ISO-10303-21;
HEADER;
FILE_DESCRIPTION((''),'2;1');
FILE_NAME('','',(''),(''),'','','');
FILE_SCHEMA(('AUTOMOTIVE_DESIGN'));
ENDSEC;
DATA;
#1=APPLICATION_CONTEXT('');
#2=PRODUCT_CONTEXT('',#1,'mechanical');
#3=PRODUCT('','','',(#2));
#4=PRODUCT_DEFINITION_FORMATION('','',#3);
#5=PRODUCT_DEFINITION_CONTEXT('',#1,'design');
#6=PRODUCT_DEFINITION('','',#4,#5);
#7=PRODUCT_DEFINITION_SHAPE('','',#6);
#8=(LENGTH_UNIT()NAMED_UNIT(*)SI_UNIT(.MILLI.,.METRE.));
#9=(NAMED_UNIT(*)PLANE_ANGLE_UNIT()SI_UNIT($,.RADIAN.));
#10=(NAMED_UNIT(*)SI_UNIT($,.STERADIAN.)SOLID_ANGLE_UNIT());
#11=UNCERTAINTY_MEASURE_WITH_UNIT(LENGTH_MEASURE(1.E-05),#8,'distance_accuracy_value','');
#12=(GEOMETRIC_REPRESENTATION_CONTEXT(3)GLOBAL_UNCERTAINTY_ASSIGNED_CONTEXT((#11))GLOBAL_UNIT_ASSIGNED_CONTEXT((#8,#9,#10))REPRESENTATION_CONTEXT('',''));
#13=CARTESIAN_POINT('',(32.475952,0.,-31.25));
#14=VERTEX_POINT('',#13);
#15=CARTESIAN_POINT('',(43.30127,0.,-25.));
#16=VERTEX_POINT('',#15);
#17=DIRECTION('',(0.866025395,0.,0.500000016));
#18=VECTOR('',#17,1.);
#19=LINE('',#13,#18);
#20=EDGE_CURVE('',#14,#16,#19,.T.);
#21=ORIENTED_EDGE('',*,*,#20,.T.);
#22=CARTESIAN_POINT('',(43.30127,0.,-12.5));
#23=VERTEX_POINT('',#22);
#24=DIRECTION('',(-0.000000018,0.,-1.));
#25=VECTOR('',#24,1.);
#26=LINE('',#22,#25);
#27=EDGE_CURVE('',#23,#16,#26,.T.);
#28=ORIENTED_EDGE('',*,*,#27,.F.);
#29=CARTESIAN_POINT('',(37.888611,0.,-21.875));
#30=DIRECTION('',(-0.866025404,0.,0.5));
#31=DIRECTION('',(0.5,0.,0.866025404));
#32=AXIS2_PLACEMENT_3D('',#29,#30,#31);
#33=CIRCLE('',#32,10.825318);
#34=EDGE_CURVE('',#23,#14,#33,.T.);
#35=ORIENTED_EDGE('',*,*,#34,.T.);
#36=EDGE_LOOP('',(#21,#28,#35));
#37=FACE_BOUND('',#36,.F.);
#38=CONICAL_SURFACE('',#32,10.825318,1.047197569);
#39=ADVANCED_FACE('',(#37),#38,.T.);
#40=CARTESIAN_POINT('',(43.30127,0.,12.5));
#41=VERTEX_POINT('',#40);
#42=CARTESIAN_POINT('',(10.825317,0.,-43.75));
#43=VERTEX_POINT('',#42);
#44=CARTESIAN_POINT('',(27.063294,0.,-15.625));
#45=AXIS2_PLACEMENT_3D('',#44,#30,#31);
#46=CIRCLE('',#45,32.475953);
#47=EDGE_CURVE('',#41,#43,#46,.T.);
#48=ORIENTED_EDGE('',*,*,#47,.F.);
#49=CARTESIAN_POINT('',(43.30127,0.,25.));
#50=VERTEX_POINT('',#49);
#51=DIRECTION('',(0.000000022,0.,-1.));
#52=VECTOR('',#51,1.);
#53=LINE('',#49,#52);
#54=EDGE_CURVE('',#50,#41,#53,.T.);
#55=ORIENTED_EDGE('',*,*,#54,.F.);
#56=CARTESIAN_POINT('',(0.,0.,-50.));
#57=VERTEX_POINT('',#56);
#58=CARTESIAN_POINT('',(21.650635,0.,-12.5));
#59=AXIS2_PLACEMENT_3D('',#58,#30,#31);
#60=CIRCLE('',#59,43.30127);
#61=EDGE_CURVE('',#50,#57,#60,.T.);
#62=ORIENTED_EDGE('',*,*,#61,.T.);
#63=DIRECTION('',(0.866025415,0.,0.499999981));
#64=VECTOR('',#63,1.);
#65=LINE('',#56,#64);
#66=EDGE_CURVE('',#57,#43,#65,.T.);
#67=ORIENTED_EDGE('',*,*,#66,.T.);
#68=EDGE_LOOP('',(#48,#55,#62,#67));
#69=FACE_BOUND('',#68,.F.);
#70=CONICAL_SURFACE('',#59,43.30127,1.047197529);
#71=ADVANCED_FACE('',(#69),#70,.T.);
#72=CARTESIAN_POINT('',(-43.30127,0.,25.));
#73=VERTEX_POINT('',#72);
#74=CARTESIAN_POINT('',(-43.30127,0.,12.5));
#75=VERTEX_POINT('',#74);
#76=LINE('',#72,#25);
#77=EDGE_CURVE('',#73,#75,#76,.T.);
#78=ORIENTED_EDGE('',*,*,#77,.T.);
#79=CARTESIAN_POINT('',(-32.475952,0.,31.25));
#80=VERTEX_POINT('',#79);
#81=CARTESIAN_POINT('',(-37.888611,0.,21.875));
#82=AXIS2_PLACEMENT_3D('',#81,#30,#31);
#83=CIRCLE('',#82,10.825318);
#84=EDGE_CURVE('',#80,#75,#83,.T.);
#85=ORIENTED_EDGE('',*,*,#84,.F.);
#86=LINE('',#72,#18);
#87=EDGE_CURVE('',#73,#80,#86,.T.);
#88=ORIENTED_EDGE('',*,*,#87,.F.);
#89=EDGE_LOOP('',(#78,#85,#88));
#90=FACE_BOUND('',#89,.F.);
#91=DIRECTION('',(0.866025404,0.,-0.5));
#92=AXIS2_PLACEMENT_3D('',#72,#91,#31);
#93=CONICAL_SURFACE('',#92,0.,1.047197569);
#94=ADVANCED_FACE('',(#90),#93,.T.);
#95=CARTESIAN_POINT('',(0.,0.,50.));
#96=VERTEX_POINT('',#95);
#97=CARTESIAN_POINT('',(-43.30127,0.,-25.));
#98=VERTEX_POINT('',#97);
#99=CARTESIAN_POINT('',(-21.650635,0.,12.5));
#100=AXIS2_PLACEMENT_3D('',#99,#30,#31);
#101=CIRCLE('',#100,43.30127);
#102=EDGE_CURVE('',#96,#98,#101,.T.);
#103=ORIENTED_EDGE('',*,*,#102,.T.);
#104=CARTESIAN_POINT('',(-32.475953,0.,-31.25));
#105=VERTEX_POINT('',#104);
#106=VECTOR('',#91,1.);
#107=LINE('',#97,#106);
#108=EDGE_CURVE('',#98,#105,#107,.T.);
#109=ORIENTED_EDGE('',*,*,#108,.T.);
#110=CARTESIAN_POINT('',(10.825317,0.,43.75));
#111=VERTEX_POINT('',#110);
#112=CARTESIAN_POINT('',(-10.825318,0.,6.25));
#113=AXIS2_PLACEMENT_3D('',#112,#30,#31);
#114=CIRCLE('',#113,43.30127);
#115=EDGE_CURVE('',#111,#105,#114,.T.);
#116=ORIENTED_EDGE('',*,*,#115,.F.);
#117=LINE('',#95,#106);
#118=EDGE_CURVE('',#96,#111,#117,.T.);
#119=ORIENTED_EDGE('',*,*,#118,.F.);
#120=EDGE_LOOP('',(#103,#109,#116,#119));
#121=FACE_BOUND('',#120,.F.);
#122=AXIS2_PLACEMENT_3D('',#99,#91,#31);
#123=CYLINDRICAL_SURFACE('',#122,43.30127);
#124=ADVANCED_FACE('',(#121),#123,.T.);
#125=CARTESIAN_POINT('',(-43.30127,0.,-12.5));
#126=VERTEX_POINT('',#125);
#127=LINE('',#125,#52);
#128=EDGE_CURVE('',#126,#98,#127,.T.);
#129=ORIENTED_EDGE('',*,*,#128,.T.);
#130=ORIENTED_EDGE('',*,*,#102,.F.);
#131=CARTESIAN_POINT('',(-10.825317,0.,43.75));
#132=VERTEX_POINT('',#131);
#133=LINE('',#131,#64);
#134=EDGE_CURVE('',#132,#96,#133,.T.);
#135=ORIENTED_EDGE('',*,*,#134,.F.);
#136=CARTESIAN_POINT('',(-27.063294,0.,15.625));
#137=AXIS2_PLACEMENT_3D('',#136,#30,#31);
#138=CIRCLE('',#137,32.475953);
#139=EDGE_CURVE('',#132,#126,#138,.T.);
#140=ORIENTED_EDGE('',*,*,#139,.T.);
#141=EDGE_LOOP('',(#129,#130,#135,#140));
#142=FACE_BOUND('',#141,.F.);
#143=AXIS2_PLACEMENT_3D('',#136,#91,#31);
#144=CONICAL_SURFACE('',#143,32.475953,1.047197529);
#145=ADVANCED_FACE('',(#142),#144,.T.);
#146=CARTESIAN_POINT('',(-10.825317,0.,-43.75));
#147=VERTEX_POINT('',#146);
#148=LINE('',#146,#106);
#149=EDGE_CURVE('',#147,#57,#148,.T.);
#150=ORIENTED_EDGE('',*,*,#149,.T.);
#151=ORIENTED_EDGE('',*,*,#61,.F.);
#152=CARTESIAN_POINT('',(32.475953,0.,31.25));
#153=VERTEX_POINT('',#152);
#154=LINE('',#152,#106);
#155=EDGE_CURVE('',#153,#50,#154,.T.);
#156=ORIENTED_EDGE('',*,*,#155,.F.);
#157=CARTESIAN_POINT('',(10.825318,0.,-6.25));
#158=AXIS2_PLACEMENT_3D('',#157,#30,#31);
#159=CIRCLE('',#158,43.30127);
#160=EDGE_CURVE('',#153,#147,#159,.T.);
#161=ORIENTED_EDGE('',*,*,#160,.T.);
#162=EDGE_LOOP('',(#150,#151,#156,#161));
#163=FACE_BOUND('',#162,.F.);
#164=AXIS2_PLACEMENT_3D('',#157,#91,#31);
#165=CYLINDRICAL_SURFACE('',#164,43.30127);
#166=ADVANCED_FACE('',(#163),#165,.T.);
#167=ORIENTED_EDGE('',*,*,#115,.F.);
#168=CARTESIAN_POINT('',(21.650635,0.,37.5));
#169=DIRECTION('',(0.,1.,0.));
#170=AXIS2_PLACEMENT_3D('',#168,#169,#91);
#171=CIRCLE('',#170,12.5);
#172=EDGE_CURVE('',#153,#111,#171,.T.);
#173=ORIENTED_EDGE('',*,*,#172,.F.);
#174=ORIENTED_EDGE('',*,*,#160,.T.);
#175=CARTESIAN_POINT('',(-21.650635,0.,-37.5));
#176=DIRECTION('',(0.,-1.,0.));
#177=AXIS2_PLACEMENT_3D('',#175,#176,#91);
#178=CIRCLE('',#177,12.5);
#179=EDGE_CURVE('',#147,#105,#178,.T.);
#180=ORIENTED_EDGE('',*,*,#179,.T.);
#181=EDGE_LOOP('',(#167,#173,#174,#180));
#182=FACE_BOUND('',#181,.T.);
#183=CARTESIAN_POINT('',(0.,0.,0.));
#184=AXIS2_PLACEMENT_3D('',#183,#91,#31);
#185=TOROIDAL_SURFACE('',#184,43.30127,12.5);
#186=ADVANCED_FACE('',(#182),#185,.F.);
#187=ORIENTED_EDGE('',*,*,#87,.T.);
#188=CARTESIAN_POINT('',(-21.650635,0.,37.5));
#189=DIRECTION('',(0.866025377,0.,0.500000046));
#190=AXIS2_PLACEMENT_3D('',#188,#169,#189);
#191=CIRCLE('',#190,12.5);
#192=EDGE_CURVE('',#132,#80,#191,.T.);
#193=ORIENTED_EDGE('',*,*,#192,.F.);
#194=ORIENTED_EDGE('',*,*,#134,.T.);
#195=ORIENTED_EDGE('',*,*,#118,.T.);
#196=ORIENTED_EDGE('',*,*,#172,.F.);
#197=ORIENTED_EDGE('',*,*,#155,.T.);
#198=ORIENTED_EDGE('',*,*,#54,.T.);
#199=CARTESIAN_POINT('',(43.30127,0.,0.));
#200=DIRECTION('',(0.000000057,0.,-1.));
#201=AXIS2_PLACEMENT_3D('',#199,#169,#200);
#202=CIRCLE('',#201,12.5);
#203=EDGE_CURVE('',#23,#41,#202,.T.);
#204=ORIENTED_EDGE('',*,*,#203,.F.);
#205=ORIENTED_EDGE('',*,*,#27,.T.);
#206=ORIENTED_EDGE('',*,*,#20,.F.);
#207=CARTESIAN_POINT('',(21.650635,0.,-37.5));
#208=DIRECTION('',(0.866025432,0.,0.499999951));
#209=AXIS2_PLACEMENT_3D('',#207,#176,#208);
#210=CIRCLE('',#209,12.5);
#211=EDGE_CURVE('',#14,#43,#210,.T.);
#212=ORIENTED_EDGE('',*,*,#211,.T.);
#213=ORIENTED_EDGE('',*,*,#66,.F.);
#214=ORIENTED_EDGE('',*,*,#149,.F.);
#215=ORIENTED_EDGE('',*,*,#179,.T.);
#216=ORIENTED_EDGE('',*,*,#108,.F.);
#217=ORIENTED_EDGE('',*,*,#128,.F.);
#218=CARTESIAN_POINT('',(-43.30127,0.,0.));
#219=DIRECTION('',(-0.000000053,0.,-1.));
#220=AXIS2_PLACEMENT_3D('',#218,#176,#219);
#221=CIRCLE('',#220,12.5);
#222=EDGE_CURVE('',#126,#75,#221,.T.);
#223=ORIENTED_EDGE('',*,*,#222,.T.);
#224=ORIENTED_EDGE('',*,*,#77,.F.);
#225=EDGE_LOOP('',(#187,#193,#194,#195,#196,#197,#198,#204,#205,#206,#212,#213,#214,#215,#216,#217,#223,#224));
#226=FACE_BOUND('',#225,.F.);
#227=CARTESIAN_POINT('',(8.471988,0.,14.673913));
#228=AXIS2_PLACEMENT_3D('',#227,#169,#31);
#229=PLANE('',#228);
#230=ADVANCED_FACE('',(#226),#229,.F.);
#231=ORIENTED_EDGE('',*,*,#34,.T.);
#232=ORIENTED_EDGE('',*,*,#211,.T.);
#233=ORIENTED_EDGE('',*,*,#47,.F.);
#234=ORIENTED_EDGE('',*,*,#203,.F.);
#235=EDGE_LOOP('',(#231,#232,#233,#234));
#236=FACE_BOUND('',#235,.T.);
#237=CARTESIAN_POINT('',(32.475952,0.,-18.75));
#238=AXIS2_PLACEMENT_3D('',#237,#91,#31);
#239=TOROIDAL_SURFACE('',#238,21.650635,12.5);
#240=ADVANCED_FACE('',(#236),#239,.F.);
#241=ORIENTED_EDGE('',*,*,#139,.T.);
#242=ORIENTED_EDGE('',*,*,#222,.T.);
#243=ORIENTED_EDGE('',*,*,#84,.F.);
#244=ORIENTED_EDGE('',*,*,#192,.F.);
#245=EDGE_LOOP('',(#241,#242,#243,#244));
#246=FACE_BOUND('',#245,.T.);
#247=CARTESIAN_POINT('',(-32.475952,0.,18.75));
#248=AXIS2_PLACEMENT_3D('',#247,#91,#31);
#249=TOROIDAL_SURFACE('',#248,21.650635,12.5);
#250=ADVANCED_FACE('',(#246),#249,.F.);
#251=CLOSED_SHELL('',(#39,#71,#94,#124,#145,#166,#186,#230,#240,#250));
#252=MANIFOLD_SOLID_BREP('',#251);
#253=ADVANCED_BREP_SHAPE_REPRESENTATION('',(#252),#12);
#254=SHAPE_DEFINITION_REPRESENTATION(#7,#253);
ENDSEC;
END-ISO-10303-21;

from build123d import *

# Parameters (mm, degrees)
REVOLUTION_ANGLE    = -180
BODY001_ROLL_ANGLE  = -180
BODY001_PITCH_ANGLE = -60


with BuildPart() as part:
    # Sketch → Revolution (revolve)
    with BuildSketch(Plane.XZ):
        with BuildLine():
            Line((43.30127, -25), (43.30127, -12.5))
            ThreePointArc((43.30127, 12.5), (30.80127, 0), (43.30127, -12.5))
            Line((43.30127, 12.5), (43.30127, 25))
            Line((43.30127, 25), (32.475953, 31.25))
            ThreePointArc((10.825318, 43.75), (15.400635, 26.674682), (32.475953, 31.25))
            Line((10.825318, 43.75), (0, 50))
            Line((0, 50), (0, -50))
            Line((0, -50), (10.825318, -43.75))
            ThreePointArc((32.475953, -31.25), (15.400635, -26.674682), (10.825318, -43.75))
            Line((32.475953, -31.25), (43.30127, -25))
        make_face()
    revolve(axis=Axis((0, 0, 0), (0, 0, 1)), revolution_arc=REVOLUTION_ANGLE)


with BuildPart() as part_1:
    # Body001 roll: moved
    add(part.part.rotate(Axis((0, 0, 0), (1, 0, 0)), BODY001_ROLL_ANGLE))


with BuildPart() as part_2:
    # Body001 pitch: moved
    add(part_1.part.rotate(Axis((0, 0, 0), (0, 1, 0)), BODY001_PITCH_ANGLE))


with BuildPart() as part_3:
    # Body001 placement: moved
    add(part_2.part)


solid = part_3.part
